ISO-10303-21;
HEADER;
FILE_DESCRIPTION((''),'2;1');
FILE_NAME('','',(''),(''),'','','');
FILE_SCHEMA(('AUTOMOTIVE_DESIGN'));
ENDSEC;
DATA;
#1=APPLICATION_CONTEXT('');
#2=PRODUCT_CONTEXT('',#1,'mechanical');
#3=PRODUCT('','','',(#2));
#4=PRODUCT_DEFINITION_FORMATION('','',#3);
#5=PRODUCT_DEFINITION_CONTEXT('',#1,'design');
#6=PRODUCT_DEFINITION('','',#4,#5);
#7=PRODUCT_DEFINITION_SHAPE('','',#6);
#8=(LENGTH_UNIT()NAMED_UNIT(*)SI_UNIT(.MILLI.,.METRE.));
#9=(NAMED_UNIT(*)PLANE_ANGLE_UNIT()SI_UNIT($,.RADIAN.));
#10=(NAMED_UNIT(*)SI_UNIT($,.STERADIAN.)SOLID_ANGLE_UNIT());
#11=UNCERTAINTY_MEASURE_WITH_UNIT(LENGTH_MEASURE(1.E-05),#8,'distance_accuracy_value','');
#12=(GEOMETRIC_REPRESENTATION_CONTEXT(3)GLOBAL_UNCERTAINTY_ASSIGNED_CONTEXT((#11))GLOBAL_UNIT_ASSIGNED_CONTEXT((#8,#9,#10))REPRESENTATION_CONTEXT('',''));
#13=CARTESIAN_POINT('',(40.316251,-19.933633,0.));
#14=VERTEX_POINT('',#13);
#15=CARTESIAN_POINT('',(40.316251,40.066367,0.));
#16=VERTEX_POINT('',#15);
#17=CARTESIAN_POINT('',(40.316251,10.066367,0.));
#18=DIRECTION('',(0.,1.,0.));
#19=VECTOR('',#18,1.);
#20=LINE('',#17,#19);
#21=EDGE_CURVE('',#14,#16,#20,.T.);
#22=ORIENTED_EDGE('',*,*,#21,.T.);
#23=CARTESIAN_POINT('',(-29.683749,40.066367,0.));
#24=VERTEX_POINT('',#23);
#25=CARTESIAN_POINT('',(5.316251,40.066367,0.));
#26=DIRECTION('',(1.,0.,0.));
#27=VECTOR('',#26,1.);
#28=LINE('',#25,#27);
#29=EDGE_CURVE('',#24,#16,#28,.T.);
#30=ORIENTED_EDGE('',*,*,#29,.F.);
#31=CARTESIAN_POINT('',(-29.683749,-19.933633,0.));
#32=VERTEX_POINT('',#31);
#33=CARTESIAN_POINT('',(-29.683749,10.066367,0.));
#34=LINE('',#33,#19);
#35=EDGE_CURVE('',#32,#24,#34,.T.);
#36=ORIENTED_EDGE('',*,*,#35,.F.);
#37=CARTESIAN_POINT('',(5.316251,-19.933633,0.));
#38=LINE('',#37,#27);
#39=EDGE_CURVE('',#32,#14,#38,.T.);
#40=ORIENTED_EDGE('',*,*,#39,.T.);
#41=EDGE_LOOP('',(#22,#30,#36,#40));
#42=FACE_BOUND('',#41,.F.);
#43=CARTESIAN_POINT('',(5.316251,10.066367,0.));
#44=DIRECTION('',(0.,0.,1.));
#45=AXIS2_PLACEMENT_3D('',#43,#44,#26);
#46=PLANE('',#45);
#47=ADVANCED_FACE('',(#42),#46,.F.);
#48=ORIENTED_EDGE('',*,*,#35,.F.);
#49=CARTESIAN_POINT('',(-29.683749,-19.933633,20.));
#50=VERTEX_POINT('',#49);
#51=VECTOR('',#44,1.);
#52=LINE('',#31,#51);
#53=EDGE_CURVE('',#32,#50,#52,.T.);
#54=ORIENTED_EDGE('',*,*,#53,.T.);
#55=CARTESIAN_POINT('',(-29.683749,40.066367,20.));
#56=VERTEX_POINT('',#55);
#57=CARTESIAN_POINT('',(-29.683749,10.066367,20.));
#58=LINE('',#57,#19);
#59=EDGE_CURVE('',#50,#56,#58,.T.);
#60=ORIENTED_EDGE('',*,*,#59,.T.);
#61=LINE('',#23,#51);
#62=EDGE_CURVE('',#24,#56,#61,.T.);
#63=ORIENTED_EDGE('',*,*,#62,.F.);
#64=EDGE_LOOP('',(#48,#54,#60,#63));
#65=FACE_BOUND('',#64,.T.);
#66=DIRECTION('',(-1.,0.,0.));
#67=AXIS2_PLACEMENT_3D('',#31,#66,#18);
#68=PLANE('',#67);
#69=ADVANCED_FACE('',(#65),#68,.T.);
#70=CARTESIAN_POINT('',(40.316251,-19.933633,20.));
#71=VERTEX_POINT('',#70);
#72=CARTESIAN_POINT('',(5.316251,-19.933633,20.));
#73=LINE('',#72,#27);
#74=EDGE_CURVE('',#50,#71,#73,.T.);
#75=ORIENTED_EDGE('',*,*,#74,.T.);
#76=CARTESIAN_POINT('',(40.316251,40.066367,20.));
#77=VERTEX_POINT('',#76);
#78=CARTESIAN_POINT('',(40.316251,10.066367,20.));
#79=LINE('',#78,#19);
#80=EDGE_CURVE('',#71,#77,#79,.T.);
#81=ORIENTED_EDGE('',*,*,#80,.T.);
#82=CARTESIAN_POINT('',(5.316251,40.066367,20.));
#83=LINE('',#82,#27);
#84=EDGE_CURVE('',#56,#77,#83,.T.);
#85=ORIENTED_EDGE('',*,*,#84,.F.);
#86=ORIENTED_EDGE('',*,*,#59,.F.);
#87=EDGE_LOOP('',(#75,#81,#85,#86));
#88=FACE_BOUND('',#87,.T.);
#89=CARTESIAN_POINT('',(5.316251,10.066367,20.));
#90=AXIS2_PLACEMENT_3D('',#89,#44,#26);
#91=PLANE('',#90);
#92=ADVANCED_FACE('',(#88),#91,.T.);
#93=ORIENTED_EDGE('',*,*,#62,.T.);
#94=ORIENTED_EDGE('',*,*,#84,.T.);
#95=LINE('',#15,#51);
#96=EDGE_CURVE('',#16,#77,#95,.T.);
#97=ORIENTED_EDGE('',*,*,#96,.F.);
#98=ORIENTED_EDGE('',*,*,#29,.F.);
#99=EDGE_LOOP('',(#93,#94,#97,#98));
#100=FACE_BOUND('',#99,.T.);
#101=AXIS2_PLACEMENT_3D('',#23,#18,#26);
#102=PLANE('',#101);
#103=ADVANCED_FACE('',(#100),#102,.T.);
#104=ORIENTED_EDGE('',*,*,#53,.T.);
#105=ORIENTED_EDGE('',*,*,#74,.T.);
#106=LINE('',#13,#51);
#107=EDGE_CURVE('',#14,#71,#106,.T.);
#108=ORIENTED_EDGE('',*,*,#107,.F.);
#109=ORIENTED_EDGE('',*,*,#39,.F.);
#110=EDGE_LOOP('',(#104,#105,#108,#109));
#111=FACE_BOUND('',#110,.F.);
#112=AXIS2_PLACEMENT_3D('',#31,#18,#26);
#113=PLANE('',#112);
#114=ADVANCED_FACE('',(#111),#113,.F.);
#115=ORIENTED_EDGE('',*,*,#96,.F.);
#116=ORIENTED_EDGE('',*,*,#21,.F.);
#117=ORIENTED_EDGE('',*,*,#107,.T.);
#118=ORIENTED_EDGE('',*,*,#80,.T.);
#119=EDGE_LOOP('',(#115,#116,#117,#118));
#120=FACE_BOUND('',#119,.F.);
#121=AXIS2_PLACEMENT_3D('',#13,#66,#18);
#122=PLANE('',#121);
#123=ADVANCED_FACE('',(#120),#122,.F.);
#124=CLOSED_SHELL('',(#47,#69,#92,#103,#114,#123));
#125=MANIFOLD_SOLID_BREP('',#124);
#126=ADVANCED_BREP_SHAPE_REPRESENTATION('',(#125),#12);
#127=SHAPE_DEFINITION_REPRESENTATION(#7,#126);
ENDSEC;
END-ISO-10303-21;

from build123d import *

# Parameters (mm, degrees)
SKETCH_W  = 70
SKETCH_H  = 60
PAD_DEPTH = 20


with BuildPart() as part:
    # Sketch → Pad (new body)
    with BuildSketch(Plane.XY):
        with Locations((5.316251, 10.066367)):
            Rectangle(SKETCH_W, SKETCH_H)
    extrude(amount=PAD_DEPTH)


solid = part.part
